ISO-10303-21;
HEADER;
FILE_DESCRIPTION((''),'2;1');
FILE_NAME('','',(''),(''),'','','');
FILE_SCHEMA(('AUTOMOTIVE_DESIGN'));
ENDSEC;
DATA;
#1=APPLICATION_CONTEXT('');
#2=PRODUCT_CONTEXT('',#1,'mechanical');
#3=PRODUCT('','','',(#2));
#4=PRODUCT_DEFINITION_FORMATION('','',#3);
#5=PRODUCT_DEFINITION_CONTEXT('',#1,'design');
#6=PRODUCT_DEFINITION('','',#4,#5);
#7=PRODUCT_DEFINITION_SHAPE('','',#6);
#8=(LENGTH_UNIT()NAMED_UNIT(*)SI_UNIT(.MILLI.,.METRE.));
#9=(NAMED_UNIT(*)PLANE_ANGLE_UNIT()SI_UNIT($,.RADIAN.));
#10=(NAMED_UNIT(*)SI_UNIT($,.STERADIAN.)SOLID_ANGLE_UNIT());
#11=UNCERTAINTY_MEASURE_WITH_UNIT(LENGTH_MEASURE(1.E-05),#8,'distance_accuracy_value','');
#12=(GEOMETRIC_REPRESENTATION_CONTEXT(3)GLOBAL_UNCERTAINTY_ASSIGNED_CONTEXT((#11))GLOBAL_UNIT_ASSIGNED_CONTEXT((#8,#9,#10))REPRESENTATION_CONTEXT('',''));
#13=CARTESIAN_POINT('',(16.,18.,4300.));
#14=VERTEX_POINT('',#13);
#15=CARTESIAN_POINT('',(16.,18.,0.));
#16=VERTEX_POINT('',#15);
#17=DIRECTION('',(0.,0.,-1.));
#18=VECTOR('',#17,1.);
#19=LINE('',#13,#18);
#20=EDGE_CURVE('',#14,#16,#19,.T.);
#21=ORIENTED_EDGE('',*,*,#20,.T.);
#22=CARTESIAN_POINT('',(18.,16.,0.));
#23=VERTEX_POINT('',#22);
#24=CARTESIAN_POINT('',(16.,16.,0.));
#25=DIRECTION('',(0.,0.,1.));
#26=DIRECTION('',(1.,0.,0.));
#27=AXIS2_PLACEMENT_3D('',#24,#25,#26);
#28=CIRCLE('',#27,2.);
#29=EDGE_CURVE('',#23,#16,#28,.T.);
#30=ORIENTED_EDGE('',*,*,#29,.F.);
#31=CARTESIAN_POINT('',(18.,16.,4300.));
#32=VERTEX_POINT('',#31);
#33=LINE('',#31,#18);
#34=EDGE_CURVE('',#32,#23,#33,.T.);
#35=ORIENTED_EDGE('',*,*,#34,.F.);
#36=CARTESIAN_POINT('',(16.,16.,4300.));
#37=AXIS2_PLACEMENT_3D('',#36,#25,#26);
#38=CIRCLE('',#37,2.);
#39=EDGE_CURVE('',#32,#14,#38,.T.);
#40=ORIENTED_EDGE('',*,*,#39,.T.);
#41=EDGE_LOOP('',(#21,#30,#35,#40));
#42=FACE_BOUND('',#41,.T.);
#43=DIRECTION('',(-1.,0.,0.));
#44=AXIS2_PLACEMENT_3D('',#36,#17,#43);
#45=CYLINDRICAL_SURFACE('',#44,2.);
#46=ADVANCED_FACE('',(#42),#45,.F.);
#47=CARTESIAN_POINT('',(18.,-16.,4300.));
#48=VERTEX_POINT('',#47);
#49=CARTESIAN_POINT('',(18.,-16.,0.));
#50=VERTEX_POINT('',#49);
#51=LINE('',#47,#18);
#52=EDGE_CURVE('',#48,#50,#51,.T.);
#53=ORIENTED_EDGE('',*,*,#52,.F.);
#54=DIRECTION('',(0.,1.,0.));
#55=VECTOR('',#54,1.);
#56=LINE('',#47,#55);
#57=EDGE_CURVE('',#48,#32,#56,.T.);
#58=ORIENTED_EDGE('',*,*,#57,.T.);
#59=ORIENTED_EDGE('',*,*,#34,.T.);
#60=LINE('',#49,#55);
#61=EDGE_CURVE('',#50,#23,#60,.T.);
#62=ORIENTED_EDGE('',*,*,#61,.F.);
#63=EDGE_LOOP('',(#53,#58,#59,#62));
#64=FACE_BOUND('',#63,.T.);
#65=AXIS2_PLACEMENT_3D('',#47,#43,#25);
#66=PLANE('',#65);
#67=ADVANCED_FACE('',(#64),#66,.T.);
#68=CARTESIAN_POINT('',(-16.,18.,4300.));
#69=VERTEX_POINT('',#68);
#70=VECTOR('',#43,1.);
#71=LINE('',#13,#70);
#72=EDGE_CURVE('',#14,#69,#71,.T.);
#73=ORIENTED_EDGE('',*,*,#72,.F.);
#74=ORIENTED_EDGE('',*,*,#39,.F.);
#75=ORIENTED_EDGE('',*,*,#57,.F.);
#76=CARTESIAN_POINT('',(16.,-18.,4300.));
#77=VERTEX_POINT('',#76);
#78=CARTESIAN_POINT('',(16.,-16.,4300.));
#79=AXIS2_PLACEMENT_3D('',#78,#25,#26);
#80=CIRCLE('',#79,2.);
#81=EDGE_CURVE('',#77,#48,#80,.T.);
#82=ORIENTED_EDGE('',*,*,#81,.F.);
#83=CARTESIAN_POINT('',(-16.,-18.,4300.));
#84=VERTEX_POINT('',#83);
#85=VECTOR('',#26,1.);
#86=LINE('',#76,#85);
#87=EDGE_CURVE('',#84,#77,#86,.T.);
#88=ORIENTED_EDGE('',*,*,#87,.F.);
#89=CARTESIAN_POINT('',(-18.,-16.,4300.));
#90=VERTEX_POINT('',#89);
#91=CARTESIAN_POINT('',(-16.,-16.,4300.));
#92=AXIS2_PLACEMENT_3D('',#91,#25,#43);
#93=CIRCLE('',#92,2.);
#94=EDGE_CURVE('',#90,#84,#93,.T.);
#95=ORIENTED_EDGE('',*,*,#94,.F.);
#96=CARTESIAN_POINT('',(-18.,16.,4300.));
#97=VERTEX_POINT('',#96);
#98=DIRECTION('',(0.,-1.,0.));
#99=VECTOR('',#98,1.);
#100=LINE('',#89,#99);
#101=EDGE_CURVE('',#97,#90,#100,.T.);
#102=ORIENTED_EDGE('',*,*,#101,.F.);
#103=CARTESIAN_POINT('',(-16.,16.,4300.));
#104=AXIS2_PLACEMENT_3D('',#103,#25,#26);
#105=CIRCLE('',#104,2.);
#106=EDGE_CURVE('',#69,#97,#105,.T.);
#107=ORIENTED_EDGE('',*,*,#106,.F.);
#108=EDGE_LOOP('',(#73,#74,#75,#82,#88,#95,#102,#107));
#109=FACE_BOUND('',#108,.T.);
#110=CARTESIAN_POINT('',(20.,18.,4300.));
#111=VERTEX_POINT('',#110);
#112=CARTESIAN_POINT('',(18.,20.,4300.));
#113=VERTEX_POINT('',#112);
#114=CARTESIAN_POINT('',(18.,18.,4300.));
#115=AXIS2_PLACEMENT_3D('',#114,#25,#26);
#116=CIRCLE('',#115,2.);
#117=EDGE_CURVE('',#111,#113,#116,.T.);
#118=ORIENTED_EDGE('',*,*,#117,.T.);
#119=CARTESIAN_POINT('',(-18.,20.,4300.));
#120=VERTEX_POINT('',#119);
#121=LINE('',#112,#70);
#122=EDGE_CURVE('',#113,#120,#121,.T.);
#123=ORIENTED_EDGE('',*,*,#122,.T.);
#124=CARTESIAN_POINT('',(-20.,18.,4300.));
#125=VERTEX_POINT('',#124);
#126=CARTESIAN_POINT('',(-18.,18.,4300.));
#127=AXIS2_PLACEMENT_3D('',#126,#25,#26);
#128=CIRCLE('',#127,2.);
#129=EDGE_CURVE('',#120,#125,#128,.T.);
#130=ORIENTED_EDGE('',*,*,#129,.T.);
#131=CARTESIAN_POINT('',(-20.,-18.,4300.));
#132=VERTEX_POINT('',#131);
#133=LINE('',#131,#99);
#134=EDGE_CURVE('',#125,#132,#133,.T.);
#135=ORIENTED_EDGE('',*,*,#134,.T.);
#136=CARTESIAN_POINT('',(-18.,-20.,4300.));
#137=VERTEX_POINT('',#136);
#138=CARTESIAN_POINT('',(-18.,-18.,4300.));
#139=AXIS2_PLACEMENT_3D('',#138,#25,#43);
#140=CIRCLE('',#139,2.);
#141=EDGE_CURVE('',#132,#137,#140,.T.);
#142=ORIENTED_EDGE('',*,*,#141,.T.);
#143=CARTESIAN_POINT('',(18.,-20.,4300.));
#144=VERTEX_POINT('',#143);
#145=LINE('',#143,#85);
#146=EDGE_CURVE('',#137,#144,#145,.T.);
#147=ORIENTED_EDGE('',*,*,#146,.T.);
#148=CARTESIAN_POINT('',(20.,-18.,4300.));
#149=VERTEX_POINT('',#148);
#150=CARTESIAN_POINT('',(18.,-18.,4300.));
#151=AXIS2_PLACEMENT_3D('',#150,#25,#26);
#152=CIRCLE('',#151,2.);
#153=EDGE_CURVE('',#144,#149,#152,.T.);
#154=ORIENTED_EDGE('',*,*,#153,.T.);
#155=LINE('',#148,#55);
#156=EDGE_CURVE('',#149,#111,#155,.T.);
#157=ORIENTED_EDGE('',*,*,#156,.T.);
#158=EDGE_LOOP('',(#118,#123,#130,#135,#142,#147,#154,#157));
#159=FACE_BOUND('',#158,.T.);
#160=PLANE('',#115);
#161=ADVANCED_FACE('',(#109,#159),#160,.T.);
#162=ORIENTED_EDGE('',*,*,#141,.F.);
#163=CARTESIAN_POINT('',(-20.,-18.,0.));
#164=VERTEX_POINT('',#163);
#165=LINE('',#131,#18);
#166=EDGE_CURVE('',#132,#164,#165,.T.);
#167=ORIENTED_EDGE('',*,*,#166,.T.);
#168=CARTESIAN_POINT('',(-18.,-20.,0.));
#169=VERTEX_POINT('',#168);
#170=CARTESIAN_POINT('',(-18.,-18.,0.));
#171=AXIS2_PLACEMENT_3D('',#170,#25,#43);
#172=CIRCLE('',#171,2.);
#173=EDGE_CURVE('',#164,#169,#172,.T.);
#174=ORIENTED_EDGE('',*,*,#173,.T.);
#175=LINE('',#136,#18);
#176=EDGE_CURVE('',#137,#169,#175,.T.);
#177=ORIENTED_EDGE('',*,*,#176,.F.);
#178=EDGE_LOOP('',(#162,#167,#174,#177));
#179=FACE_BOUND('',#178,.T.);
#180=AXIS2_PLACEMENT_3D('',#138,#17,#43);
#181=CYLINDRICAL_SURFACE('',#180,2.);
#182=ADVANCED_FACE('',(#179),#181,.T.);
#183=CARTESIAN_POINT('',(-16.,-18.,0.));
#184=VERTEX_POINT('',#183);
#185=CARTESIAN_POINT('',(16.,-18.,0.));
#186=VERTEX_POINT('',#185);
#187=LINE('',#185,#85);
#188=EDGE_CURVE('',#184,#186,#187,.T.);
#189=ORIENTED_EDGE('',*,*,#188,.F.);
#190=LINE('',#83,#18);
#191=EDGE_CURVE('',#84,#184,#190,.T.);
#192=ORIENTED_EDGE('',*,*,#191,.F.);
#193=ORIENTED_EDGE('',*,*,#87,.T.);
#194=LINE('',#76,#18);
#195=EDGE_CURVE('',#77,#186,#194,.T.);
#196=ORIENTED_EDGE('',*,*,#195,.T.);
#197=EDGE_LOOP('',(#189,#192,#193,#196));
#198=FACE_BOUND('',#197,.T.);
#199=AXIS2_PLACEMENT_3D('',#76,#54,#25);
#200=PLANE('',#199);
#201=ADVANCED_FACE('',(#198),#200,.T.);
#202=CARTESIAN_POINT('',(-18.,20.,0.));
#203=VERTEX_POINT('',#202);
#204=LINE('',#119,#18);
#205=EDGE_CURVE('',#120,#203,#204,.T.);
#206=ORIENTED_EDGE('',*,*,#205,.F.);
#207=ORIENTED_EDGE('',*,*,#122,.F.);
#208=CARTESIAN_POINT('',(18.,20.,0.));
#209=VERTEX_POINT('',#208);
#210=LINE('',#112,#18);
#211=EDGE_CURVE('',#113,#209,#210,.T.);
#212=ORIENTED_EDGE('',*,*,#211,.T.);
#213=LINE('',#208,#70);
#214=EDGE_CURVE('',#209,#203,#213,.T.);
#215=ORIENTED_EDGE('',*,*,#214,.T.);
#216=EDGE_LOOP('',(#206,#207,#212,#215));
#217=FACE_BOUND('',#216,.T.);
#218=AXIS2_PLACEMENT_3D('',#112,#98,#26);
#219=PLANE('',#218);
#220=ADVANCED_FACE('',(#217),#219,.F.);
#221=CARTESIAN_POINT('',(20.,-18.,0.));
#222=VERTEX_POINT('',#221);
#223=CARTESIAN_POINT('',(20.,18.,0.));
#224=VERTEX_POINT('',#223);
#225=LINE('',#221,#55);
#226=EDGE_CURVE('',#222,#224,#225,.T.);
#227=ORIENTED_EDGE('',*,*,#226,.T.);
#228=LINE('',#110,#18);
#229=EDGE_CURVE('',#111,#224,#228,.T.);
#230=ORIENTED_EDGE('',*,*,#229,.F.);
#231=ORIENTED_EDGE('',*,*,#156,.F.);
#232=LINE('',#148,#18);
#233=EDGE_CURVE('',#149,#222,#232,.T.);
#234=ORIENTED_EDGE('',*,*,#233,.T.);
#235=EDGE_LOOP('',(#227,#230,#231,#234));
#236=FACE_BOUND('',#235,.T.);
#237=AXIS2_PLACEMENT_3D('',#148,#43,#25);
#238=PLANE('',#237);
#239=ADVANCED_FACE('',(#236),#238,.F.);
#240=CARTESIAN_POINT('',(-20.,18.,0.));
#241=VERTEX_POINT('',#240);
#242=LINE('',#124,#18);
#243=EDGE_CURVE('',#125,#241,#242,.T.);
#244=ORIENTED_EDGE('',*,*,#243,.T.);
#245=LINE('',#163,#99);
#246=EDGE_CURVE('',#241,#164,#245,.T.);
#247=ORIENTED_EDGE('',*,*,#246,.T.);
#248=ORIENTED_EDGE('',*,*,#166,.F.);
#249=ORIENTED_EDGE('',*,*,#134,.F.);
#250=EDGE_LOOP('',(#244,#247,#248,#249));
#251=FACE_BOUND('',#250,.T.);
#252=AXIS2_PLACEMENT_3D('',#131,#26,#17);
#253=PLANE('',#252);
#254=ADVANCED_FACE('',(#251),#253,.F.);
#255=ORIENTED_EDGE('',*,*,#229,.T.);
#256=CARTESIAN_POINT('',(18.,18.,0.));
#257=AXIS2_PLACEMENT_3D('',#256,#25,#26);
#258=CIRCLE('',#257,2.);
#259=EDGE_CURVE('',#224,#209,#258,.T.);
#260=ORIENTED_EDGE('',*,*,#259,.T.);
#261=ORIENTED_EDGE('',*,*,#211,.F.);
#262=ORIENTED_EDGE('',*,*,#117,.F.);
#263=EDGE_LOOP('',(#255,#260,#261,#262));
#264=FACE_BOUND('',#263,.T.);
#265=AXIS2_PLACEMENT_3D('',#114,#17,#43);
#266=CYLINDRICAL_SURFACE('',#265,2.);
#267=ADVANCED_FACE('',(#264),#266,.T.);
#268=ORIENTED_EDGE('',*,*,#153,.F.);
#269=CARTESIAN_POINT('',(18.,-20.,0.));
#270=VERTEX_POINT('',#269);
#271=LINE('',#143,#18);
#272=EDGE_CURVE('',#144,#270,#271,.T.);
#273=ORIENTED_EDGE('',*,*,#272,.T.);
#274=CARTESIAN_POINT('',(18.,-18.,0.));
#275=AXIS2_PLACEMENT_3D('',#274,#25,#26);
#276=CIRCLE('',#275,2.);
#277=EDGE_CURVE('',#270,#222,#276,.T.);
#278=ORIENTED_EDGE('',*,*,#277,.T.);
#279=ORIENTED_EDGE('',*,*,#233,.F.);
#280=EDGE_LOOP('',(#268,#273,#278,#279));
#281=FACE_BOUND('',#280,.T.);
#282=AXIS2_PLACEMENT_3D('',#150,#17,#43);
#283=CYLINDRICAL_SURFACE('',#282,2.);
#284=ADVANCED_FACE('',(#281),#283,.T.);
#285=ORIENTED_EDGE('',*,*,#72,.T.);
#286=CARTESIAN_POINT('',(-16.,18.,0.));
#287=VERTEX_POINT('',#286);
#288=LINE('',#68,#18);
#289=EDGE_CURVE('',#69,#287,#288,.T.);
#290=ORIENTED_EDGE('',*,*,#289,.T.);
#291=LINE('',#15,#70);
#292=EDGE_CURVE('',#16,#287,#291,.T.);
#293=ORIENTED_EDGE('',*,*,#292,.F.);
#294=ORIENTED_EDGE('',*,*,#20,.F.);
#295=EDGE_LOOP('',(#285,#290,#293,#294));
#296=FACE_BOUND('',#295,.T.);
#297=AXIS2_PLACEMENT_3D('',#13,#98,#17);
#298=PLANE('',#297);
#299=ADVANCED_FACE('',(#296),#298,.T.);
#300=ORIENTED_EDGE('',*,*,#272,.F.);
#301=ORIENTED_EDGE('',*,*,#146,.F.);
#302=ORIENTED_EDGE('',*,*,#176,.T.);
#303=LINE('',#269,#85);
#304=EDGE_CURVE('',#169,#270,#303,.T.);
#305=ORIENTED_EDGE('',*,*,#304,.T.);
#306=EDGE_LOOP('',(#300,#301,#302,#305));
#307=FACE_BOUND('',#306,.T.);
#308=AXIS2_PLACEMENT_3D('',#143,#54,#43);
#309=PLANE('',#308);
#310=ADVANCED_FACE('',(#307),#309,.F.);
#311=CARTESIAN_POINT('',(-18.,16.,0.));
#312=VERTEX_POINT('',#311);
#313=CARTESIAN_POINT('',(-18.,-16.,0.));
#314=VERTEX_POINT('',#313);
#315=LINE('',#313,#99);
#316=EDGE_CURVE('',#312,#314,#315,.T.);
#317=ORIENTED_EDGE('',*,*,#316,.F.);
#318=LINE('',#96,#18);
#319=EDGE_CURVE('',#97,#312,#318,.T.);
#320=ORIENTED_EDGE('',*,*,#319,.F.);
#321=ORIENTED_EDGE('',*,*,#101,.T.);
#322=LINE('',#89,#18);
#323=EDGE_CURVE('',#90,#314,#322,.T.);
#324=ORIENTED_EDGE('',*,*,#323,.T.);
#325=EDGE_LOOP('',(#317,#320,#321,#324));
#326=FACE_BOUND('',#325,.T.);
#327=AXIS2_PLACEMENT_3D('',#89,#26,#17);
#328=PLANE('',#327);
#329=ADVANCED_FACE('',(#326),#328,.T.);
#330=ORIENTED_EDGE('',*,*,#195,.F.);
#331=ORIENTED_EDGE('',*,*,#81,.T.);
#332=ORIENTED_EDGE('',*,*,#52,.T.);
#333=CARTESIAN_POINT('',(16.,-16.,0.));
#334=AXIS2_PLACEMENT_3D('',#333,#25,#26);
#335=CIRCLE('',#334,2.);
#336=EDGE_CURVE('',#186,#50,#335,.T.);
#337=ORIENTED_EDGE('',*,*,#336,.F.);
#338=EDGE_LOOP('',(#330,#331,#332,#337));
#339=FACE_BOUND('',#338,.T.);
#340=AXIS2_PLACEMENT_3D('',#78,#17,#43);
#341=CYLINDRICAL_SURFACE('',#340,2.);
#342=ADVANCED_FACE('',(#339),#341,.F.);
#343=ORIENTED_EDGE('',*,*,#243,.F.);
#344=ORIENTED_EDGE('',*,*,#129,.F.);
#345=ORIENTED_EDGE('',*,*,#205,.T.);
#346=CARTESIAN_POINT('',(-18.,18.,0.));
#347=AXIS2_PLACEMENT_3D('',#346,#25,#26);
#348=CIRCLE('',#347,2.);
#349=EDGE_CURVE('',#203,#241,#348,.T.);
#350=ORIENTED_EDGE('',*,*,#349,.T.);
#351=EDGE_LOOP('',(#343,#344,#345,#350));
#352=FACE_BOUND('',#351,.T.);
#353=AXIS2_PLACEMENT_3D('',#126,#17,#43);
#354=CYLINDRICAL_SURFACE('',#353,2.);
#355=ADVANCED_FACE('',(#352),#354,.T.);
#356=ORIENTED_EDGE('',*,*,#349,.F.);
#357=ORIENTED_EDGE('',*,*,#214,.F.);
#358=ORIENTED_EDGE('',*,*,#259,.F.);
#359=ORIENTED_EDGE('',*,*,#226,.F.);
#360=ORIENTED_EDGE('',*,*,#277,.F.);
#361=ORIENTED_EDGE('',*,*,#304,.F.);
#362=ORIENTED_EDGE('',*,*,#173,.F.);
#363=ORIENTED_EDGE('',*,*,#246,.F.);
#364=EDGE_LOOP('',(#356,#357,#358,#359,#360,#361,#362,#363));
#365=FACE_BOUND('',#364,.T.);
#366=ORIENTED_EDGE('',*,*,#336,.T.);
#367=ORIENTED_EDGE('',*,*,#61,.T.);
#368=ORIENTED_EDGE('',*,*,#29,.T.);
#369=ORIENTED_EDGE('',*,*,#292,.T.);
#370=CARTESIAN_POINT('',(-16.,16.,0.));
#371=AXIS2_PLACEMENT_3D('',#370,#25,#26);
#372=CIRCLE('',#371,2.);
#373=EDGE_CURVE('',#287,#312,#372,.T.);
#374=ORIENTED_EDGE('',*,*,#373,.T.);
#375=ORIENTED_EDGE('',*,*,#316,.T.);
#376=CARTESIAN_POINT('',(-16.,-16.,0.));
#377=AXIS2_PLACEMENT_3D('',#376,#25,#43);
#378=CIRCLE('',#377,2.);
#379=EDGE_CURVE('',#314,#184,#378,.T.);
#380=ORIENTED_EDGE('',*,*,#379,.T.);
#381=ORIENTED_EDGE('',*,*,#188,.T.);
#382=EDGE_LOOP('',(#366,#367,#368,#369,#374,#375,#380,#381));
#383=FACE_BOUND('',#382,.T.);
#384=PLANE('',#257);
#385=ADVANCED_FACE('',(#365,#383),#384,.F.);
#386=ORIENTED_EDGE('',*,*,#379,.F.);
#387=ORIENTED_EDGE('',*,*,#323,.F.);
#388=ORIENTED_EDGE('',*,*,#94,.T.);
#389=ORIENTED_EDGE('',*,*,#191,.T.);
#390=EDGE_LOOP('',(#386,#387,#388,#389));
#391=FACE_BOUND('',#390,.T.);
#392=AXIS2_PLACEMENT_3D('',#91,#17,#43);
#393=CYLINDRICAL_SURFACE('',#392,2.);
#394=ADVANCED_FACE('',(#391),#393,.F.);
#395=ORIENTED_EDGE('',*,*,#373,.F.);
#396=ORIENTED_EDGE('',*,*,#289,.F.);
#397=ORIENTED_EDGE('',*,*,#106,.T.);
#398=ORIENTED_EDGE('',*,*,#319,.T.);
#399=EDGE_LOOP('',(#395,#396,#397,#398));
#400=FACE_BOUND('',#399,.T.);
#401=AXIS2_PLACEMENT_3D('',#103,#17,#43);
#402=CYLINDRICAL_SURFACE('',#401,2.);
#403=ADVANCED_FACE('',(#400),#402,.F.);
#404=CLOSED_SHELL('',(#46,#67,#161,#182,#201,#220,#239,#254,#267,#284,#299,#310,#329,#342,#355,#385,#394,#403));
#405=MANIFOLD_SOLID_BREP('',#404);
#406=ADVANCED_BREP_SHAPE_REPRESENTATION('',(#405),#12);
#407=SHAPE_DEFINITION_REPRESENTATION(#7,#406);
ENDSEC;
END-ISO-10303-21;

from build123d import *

# Parameters (mm, degrees)
EXTRUDE_1_DEPTH = 4300


with BuildPart() as part:
    # Эскиз1 → Бобышка-Вытянуть1 (new body)
    with BuildSketch(Plane.XY):
        with BuildLine():
            Line((18, -20), (-18, -20))
            ThreePointArc((-18, -20), (-19.414213562, -19.414213562), (-20, -18))
            Line((-20, -18), (-20, 18))
            ThreePointArc((-20, 18), (-19.414213562, 19.414213562), (-18, 20))
            Line((-18, 20), (18, 20))
            ThreePointArc((18, 20), (19.414213562, 19.414213562), (20, 18))
            Line((20, 18), (20, -18))
            ThreePointArc((20, -18), (19.414213562, -19.414213562), (18, -20))
        make_face()
        with BuildLine():
            Line((16, -18), (-16, -18))
            ThreePointArc((-16, -18), (-17.414213562, -17.414213562), (-18, -16))
            Line((-18, -16), (-18, 16))
            ThreePointArc((-18, 16), (-17.414213562, 17.414213562), (-16, 18))
            Line((-16, 18), (16, 18))
            ThreePointArc((16, 18), (17.414213562, 17.414213562), (18, 16))
            Line((18, 16), (18, -16))
            ThreePointArc((18, -16), (17.414213562, -17.414213562), (16, -18))
        make_face(mode=Mode.SUBTRACT)
    extrude(amount=EXTRUDE_1_DEPTH)


solid = part.part
